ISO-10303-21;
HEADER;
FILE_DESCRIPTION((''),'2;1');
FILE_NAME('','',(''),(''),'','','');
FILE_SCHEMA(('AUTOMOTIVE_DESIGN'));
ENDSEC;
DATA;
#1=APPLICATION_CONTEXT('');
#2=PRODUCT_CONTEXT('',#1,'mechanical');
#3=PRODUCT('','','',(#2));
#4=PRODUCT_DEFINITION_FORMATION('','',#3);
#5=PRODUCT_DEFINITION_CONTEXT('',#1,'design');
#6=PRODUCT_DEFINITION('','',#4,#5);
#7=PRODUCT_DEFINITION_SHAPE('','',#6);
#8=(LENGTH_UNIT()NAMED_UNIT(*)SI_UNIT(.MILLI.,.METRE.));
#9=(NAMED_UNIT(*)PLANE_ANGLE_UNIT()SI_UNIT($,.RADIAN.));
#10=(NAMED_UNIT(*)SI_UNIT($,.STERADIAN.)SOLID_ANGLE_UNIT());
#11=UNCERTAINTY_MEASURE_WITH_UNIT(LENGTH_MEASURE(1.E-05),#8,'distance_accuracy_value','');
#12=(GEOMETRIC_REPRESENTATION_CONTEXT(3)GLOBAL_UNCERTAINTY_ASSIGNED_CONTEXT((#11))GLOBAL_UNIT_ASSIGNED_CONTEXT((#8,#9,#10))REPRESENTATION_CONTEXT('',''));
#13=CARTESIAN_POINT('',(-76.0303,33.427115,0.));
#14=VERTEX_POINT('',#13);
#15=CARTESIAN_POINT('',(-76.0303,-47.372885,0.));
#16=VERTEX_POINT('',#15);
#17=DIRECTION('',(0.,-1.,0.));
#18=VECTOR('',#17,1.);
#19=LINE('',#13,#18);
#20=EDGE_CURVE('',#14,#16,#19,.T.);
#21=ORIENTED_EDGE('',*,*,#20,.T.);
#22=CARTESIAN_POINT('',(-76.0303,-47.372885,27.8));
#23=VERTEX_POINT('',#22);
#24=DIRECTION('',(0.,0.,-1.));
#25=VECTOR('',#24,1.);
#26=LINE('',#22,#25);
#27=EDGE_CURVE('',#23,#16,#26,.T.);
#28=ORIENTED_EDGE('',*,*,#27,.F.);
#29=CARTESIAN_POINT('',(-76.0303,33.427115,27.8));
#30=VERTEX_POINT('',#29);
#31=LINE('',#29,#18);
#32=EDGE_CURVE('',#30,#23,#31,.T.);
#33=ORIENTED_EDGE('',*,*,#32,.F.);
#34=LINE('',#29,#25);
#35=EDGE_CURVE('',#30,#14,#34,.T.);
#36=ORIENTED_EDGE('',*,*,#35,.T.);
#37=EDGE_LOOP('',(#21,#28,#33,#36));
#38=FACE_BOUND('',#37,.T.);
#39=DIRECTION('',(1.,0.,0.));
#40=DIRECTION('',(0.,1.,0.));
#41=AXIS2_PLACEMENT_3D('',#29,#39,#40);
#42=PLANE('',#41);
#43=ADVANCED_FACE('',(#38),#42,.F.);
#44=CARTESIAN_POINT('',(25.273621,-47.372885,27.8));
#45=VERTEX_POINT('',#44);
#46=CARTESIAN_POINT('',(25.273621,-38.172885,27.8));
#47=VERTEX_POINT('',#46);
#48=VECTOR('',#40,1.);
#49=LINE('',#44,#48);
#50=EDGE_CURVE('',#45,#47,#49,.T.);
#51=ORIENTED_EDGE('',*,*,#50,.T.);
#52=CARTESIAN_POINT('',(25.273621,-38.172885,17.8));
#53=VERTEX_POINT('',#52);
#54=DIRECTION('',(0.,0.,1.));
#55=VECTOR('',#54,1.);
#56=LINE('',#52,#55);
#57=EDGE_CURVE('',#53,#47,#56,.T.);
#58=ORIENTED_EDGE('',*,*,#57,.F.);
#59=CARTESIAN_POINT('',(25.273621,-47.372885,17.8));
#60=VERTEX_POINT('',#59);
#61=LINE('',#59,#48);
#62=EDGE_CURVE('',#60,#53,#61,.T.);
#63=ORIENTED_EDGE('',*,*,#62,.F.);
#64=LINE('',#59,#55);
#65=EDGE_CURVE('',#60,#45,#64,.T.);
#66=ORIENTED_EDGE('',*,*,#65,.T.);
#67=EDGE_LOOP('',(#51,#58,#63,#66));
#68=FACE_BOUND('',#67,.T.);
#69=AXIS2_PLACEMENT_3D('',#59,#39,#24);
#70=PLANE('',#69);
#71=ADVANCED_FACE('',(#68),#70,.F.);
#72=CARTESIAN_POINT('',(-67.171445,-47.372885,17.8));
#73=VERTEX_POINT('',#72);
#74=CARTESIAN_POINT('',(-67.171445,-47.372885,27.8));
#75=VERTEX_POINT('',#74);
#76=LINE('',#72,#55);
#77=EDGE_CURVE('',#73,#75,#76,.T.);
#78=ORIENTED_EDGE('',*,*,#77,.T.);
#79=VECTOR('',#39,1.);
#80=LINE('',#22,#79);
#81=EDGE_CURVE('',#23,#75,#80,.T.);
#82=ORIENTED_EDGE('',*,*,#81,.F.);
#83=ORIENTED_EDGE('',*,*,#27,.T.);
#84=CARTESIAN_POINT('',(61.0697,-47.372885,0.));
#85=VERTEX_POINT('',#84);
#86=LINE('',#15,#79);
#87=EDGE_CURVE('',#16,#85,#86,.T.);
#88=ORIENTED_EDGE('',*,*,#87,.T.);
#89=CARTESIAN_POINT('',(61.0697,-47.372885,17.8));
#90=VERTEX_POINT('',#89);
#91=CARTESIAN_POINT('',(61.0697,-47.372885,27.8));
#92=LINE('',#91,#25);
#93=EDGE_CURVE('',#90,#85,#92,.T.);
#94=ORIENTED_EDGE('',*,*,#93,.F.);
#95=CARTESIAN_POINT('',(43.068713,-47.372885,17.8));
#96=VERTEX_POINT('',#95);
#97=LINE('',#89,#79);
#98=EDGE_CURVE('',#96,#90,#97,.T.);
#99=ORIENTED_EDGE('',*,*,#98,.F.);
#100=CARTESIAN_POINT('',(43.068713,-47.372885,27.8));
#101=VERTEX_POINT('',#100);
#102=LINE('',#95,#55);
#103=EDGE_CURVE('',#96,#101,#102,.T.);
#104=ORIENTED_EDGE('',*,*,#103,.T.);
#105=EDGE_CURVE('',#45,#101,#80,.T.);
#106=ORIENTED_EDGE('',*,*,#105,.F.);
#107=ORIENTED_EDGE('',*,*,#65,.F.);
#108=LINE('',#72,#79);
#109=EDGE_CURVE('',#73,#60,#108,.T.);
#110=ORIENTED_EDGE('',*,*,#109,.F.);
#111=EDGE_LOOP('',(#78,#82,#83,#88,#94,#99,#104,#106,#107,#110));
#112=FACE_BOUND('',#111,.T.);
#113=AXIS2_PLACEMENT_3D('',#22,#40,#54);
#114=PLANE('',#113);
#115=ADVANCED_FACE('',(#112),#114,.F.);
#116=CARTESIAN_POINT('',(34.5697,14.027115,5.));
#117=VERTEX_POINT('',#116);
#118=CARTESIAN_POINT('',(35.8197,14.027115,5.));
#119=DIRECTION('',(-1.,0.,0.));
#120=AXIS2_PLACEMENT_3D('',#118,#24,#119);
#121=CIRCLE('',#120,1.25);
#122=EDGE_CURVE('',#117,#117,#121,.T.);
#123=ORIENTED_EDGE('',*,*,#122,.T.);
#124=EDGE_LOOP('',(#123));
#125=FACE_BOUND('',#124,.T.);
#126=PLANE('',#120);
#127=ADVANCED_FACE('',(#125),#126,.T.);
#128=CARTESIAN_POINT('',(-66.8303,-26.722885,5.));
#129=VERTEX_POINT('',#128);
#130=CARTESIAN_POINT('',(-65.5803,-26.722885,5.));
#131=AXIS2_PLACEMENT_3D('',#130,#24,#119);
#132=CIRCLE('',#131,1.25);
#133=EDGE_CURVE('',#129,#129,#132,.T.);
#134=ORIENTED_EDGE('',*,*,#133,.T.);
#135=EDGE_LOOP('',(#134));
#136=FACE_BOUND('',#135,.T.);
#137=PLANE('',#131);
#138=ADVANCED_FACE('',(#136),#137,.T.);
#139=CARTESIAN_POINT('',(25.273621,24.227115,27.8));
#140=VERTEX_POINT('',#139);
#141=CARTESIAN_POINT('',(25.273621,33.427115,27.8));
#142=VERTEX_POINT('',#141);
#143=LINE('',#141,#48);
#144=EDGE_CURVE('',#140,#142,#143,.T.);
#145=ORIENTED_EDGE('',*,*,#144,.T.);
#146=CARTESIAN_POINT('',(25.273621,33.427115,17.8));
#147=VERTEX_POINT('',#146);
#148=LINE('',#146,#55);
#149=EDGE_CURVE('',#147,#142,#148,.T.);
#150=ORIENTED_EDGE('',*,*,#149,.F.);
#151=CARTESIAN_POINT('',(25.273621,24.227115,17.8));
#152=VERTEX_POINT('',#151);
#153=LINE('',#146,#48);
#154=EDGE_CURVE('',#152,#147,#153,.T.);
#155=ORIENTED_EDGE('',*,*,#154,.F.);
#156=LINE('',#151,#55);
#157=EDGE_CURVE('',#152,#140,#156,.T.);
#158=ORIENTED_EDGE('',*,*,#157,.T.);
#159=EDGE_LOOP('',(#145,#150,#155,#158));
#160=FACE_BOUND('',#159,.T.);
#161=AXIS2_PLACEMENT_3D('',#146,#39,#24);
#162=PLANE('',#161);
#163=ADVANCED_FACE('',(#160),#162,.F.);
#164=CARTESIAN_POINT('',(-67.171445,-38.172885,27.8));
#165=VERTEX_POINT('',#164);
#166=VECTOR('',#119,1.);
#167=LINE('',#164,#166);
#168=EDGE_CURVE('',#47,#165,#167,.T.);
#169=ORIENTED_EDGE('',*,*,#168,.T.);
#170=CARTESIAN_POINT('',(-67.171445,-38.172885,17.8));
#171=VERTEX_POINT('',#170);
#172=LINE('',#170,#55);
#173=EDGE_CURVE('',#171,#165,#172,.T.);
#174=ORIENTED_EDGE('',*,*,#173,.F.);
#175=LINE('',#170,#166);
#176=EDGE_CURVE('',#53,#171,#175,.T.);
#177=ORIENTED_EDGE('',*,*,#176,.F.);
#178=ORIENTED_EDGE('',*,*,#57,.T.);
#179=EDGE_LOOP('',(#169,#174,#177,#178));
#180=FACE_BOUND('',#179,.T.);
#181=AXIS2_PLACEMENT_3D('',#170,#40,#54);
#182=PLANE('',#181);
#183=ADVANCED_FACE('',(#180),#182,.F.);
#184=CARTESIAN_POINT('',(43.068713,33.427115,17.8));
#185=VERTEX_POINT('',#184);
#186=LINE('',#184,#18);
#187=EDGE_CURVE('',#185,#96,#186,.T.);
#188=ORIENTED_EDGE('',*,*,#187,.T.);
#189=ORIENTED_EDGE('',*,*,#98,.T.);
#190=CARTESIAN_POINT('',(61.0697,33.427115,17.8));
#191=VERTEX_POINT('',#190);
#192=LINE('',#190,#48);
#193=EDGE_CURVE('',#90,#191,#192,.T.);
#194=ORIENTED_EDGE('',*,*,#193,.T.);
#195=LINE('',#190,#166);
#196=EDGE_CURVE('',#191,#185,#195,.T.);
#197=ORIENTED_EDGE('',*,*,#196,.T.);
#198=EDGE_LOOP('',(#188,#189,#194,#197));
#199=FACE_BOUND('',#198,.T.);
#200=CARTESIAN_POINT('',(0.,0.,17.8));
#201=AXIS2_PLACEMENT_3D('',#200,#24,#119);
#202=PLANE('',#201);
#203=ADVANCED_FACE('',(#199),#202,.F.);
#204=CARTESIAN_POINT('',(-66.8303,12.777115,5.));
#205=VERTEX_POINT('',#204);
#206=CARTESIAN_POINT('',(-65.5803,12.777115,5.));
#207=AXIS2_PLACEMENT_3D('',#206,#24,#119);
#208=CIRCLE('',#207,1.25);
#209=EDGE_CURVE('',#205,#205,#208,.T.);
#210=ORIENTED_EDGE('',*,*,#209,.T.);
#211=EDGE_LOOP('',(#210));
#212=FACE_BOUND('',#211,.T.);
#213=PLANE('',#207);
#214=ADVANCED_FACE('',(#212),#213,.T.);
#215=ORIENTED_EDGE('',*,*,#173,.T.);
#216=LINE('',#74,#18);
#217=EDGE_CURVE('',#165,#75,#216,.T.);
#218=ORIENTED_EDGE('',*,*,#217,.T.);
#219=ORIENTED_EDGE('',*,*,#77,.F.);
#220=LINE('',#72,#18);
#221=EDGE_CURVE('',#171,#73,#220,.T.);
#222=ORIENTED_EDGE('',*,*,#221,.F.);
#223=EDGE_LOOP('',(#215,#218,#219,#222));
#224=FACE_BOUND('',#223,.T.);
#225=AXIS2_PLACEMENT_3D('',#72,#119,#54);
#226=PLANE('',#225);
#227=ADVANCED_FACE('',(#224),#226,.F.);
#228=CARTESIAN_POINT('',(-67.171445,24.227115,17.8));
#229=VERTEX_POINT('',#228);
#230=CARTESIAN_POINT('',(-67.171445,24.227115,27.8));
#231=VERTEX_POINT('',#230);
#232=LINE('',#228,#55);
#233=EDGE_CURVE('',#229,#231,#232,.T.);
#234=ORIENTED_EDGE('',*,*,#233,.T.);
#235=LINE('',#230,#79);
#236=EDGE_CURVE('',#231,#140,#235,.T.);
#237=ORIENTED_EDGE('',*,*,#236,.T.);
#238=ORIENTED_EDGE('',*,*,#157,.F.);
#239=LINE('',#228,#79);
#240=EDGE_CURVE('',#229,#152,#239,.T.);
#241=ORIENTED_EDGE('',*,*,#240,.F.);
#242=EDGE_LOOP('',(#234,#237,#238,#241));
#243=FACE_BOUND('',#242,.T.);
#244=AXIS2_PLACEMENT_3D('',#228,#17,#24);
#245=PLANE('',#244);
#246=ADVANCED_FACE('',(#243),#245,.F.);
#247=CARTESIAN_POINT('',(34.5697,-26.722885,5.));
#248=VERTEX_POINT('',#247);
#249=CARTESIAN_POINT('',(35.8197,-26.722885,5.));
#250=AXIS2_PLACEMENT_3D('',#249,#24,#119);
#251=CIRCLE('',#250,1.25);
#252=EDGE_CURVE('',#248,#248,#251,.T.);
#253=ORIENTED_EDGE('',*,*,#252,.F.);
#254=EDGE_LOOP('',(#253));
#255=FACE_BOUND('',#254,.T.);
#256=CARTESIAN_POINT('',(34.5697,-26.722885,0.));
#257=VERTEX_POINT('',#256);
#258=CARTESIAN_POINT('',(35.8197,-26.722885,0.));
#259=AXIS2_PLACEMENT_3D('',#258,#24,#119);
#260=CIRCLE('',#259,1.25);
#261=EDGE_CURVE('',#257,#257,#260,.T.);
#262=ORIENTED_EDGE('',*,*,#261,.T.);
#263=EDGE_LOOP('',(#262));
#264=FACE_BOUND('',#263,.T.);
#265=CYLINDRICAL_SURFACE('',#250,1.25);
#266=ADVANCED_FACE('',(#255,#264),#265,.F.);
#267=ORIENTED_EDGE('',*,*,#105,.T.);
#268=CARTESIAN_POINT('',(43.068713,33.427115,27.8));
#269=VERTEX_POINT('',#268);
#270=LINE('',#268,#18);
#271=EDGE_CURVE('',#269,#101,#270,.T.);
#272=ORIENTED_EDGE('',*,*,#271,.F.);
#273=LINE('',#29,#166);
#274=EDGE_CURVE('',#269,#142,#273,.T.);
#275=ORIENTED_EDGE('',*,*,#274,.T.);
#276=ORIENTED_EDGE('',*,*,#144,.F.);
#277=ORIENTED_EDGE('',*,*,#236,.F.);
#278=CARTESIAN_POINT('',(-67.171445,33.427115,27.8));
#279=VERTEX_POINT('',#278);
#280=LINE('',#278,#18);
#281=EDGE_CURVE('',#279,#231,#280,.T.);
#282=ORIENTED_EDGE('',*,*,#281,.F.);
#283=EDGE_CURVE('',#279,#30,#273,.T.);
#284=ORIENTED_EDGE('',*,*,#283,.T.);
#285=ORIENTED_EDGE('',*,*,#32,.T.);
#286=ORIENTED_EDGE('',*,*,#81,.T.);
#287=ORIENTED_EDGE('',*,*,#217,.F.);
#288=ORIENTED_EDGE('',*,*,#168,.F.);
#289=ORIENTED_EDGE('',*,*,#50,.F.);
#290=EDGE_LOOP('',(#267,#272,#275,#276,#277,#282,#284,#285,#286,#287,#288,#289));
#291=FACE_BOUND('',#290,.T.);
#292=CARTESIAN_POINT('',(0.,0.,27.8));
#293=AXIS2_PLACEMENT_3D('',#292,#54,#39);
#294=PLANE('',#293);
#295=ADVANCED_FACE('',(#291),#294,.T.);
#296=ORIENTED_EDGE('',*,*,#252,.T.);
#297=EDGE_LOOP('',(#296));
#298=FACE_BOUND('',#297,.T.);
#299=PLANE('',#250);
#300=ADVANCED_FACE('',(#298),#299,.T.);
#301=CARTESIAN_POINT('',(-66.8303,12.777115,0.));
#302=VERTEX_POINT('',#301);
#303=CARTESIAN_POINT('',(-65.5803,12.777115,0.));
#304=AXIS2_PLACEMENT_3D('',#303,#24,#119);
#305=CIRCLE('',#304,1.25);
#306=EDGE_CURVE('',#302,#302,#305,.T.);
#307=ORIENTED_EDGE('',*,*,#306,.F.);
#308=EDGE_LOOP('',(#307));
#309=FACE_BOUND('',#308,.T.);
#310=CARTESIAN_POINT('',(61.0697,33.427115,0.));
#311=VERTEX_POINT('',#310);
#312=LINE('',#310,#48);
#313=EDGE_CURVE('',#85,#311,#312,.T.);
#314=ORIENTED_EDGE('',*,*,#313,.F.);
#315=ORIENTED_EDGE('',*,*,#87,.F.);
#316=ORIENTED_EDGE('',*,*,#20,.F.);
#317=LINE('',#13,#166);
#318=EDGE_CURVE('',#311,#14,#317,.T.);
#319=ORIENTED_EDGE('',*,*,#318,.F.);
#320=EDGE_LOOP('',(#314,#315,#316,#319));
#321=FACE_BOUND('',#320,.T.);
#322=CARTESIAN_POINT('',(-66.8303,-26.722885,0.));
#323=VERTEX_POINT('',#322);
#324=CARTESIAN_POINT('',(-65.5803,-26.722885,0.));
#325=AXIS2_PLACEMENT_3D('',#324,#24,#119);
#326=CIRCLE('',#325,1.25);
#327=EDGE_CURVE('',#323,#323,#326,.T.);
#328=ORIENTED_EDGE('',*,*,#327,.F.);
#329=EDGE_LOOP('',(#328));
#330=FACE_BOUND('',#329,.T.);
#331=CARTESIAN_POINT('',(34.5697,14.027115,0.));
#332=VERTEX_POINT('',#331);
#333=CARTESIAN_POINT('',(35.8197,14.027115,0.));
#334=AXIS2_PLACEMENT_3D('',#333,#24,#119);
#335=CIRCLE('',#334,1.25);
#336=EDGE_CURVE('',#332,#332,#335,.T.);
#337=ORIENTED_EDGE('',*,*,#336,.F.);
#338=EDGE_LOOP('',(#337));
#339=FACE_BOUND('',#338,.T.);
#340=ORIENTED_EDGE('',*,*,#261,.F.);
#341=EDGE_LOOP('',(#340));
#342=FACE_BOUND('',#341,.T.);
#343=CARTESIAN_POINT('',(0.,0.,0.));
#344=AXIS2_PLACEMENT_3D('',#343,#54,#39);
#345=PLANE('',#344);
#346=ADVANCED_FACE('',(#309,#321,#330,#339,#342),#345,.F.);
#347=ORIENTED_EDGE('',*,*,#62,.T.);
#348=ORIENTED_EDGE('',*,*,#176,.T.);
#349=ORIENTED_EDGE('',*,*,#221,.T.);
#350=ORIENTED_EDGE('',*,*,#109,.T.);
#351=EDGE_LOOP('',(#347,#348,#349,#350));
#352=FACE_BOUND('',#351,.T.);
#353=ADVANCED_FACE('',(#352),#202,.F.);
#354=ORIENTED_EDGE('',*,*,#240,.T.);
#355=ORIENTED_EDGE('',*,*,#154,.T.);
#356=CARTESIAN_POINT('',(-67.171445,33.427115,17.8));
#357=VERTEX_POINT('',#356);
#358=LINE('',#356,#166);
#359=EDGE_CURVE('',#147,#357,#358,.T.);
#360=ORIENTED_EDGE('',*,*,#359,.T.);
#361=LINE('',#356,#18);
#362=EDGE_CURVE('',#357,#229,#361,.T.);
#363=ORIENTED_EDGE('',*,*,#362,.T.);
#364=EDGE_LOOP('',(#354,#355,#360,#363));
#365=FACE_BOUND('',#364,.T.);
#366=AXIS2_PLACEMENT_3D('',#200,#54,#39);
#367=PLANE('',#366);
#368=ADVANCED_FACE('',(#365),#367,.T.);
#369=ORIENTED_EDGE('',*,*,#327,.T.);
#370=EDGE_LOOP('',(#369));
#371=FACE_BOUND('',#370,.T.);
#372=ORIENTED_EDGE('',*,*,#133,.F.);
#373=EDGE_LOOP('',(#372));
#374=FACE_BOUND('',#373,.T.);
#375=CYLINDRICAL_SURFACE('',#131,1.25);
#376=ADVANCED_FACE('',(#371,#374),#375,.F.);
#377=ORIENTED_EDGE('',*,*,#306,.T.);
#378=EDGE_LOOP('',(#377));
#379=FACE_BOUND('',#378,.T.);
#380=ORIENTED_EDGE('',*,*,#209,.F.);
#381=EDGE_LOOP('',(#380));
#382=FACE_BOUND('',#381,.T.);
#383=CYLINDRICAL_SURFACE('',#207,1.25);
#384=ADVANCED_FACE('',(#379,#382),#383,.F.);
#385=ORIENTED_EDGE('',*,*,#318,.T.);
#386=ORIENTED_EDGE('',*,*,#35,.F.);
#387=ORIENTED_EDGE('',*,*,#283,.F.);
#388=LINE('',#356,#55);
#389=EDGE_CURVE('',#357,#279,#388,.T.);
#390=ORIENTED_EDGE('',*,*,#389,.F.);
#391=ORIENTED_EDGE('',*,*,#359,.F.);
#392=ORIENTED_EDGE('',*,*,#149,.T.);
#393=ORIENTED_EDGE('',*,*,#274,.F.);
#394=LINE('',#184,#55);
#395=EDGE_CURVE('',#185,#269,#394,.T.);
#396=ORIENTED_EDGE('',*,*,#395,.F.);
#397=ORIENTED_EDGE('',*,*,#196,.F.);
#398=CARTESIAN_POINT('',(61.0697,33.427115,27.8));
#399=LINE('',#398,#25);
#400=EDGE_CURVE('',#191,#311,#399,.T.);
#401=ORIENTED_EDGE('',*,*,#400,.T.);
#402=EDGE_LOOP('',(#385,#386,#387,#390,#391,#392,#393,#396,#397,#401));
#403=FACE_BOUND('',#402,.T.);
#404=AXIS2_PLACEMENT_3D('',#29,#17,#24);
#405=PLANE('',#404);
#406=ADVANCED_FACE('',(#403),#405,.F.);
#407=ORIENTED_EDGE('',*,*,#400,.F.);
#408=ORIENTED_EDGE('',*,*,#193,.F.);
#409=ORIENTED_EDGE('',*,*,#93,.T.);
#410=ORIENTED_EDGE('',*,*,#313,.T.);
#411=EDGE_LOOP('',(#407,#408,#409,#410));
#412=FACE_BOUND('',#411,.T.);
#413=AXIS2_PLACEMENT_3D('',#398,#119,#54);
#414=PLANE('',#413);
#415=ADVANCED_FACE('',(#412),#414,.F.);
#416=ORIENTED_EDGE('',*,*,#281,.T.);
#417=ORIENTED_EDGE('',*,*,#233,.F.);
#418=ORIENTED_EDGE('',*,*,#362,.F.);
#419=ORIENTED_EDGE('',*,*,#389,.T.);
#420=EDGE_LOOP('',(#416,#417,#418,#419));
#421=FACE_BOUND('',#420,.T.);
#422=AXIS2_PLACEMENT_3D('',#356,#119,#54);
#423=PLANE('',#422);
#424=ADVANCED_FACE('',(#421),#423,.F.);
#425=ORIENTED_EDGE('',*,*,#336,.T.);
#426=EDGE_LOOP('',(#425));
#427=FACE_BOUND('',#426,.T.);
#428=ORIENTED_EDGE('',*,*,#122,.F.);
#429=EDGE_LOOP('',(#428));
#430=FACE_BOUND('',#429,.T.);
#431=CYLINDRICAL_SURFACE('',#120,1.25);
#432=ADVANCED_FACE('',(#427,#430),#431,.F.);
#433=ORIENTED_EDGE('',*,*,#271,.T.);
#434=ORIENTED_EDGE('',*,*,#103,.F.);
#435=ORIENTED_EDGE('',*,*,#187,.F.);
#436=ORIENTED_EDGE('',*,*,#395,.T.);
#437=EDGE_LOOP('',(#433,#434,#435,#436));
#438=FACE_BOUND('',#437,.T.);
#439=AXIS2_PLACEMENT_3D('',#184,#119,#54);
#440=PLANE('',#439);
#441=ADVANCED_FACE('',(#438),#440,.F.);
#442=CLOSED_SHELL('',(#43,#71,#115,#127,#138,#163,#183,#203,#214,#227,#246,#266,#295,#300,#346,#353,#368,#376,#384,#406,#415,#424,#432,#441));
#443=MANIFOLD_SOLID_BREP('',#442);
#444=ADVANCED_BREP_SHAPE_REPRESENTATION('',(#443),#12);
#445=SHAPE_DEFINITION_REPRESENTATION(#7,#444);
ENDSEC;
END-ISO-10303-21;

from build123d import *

# Parameters (mm, degrees)
SZKIC1_W                    = 137.1
SZKIC1_H                    = 80.8
DODANIE_WYCI_GNI_CIE1_DEPTH = 27.8
SZKIC2_W                    = 92.445066106
SZKIC2_H                    = 9.2
SZKIC2_W_2                  = 18.000987162
SZKIC2_H_2                  = 80.8
WYTNIJ_WYCI_GNI_CIE1_DEPTH  = 10
SZKIC3_R                    = 1.25
WYTNIJ_WYCI_GNI_CIE2_DEPTH  = 5


with BuildPart() as part:
    # Szkic1 → Dodanie-wyciągnięcie1 (new body)
    with BuildSketch(Plane.XY):
        with Locations((-7.480300087, -6.972885306)):
            Rectangle(SZKIC1_W, SZKIC1_H)
    extrude(amount=DODANIE_WYCI_GNI_CIE1_DEPTH)

    # Szkic2 → Wytnij-wyciągnięcie1 (cut)
    with BuildSketch(Plane.XY.offset(27.8)):
        with Locations((-20.948912207, -42.772885306)):
            Rectangle(SZKIC2_W, SZKIC2_H)
        with Locations((-20.948912207, 28.827114694)):
            Rectangle(SZKIC2_W, SZKIC2_H)
        with Locations((52.069206332, -6.972885306)):
            Rectangle(SZKIC2_W_2, SZKIC2_H_2)
    extrude(amount=-WYTNIJ_WYCI_GNI_CIE1_DEPTH, mode=Mode.SUBTRACT)

    # Szkic3 → Wytnij-wyciągnięcie2 (cut)
    with BuildSketch(Plane(origin=(0, 0, 0), x_dir=(-1, 0, 0), z_dir=(0, 0, -1))):
        with Locations((65.580300087, 12.777114694)):
            Circle(SZKIC3_R)
        with Locations((65.580300087, -26.722885306)):
            Circle(SZKIC3_R)
        with Locations((-35.819699913, -26.722885306)):
            Circle(SZKIC3_R)
        with Locations((-35.819699913, 14.027114694)):
            Circle(SZKIC3_R)
    extrude(amount=-WYTNIJ_WYCI_GNI_CIE2_DEPTH, mode=Mode.SUBTRACT)


solid = part.part
